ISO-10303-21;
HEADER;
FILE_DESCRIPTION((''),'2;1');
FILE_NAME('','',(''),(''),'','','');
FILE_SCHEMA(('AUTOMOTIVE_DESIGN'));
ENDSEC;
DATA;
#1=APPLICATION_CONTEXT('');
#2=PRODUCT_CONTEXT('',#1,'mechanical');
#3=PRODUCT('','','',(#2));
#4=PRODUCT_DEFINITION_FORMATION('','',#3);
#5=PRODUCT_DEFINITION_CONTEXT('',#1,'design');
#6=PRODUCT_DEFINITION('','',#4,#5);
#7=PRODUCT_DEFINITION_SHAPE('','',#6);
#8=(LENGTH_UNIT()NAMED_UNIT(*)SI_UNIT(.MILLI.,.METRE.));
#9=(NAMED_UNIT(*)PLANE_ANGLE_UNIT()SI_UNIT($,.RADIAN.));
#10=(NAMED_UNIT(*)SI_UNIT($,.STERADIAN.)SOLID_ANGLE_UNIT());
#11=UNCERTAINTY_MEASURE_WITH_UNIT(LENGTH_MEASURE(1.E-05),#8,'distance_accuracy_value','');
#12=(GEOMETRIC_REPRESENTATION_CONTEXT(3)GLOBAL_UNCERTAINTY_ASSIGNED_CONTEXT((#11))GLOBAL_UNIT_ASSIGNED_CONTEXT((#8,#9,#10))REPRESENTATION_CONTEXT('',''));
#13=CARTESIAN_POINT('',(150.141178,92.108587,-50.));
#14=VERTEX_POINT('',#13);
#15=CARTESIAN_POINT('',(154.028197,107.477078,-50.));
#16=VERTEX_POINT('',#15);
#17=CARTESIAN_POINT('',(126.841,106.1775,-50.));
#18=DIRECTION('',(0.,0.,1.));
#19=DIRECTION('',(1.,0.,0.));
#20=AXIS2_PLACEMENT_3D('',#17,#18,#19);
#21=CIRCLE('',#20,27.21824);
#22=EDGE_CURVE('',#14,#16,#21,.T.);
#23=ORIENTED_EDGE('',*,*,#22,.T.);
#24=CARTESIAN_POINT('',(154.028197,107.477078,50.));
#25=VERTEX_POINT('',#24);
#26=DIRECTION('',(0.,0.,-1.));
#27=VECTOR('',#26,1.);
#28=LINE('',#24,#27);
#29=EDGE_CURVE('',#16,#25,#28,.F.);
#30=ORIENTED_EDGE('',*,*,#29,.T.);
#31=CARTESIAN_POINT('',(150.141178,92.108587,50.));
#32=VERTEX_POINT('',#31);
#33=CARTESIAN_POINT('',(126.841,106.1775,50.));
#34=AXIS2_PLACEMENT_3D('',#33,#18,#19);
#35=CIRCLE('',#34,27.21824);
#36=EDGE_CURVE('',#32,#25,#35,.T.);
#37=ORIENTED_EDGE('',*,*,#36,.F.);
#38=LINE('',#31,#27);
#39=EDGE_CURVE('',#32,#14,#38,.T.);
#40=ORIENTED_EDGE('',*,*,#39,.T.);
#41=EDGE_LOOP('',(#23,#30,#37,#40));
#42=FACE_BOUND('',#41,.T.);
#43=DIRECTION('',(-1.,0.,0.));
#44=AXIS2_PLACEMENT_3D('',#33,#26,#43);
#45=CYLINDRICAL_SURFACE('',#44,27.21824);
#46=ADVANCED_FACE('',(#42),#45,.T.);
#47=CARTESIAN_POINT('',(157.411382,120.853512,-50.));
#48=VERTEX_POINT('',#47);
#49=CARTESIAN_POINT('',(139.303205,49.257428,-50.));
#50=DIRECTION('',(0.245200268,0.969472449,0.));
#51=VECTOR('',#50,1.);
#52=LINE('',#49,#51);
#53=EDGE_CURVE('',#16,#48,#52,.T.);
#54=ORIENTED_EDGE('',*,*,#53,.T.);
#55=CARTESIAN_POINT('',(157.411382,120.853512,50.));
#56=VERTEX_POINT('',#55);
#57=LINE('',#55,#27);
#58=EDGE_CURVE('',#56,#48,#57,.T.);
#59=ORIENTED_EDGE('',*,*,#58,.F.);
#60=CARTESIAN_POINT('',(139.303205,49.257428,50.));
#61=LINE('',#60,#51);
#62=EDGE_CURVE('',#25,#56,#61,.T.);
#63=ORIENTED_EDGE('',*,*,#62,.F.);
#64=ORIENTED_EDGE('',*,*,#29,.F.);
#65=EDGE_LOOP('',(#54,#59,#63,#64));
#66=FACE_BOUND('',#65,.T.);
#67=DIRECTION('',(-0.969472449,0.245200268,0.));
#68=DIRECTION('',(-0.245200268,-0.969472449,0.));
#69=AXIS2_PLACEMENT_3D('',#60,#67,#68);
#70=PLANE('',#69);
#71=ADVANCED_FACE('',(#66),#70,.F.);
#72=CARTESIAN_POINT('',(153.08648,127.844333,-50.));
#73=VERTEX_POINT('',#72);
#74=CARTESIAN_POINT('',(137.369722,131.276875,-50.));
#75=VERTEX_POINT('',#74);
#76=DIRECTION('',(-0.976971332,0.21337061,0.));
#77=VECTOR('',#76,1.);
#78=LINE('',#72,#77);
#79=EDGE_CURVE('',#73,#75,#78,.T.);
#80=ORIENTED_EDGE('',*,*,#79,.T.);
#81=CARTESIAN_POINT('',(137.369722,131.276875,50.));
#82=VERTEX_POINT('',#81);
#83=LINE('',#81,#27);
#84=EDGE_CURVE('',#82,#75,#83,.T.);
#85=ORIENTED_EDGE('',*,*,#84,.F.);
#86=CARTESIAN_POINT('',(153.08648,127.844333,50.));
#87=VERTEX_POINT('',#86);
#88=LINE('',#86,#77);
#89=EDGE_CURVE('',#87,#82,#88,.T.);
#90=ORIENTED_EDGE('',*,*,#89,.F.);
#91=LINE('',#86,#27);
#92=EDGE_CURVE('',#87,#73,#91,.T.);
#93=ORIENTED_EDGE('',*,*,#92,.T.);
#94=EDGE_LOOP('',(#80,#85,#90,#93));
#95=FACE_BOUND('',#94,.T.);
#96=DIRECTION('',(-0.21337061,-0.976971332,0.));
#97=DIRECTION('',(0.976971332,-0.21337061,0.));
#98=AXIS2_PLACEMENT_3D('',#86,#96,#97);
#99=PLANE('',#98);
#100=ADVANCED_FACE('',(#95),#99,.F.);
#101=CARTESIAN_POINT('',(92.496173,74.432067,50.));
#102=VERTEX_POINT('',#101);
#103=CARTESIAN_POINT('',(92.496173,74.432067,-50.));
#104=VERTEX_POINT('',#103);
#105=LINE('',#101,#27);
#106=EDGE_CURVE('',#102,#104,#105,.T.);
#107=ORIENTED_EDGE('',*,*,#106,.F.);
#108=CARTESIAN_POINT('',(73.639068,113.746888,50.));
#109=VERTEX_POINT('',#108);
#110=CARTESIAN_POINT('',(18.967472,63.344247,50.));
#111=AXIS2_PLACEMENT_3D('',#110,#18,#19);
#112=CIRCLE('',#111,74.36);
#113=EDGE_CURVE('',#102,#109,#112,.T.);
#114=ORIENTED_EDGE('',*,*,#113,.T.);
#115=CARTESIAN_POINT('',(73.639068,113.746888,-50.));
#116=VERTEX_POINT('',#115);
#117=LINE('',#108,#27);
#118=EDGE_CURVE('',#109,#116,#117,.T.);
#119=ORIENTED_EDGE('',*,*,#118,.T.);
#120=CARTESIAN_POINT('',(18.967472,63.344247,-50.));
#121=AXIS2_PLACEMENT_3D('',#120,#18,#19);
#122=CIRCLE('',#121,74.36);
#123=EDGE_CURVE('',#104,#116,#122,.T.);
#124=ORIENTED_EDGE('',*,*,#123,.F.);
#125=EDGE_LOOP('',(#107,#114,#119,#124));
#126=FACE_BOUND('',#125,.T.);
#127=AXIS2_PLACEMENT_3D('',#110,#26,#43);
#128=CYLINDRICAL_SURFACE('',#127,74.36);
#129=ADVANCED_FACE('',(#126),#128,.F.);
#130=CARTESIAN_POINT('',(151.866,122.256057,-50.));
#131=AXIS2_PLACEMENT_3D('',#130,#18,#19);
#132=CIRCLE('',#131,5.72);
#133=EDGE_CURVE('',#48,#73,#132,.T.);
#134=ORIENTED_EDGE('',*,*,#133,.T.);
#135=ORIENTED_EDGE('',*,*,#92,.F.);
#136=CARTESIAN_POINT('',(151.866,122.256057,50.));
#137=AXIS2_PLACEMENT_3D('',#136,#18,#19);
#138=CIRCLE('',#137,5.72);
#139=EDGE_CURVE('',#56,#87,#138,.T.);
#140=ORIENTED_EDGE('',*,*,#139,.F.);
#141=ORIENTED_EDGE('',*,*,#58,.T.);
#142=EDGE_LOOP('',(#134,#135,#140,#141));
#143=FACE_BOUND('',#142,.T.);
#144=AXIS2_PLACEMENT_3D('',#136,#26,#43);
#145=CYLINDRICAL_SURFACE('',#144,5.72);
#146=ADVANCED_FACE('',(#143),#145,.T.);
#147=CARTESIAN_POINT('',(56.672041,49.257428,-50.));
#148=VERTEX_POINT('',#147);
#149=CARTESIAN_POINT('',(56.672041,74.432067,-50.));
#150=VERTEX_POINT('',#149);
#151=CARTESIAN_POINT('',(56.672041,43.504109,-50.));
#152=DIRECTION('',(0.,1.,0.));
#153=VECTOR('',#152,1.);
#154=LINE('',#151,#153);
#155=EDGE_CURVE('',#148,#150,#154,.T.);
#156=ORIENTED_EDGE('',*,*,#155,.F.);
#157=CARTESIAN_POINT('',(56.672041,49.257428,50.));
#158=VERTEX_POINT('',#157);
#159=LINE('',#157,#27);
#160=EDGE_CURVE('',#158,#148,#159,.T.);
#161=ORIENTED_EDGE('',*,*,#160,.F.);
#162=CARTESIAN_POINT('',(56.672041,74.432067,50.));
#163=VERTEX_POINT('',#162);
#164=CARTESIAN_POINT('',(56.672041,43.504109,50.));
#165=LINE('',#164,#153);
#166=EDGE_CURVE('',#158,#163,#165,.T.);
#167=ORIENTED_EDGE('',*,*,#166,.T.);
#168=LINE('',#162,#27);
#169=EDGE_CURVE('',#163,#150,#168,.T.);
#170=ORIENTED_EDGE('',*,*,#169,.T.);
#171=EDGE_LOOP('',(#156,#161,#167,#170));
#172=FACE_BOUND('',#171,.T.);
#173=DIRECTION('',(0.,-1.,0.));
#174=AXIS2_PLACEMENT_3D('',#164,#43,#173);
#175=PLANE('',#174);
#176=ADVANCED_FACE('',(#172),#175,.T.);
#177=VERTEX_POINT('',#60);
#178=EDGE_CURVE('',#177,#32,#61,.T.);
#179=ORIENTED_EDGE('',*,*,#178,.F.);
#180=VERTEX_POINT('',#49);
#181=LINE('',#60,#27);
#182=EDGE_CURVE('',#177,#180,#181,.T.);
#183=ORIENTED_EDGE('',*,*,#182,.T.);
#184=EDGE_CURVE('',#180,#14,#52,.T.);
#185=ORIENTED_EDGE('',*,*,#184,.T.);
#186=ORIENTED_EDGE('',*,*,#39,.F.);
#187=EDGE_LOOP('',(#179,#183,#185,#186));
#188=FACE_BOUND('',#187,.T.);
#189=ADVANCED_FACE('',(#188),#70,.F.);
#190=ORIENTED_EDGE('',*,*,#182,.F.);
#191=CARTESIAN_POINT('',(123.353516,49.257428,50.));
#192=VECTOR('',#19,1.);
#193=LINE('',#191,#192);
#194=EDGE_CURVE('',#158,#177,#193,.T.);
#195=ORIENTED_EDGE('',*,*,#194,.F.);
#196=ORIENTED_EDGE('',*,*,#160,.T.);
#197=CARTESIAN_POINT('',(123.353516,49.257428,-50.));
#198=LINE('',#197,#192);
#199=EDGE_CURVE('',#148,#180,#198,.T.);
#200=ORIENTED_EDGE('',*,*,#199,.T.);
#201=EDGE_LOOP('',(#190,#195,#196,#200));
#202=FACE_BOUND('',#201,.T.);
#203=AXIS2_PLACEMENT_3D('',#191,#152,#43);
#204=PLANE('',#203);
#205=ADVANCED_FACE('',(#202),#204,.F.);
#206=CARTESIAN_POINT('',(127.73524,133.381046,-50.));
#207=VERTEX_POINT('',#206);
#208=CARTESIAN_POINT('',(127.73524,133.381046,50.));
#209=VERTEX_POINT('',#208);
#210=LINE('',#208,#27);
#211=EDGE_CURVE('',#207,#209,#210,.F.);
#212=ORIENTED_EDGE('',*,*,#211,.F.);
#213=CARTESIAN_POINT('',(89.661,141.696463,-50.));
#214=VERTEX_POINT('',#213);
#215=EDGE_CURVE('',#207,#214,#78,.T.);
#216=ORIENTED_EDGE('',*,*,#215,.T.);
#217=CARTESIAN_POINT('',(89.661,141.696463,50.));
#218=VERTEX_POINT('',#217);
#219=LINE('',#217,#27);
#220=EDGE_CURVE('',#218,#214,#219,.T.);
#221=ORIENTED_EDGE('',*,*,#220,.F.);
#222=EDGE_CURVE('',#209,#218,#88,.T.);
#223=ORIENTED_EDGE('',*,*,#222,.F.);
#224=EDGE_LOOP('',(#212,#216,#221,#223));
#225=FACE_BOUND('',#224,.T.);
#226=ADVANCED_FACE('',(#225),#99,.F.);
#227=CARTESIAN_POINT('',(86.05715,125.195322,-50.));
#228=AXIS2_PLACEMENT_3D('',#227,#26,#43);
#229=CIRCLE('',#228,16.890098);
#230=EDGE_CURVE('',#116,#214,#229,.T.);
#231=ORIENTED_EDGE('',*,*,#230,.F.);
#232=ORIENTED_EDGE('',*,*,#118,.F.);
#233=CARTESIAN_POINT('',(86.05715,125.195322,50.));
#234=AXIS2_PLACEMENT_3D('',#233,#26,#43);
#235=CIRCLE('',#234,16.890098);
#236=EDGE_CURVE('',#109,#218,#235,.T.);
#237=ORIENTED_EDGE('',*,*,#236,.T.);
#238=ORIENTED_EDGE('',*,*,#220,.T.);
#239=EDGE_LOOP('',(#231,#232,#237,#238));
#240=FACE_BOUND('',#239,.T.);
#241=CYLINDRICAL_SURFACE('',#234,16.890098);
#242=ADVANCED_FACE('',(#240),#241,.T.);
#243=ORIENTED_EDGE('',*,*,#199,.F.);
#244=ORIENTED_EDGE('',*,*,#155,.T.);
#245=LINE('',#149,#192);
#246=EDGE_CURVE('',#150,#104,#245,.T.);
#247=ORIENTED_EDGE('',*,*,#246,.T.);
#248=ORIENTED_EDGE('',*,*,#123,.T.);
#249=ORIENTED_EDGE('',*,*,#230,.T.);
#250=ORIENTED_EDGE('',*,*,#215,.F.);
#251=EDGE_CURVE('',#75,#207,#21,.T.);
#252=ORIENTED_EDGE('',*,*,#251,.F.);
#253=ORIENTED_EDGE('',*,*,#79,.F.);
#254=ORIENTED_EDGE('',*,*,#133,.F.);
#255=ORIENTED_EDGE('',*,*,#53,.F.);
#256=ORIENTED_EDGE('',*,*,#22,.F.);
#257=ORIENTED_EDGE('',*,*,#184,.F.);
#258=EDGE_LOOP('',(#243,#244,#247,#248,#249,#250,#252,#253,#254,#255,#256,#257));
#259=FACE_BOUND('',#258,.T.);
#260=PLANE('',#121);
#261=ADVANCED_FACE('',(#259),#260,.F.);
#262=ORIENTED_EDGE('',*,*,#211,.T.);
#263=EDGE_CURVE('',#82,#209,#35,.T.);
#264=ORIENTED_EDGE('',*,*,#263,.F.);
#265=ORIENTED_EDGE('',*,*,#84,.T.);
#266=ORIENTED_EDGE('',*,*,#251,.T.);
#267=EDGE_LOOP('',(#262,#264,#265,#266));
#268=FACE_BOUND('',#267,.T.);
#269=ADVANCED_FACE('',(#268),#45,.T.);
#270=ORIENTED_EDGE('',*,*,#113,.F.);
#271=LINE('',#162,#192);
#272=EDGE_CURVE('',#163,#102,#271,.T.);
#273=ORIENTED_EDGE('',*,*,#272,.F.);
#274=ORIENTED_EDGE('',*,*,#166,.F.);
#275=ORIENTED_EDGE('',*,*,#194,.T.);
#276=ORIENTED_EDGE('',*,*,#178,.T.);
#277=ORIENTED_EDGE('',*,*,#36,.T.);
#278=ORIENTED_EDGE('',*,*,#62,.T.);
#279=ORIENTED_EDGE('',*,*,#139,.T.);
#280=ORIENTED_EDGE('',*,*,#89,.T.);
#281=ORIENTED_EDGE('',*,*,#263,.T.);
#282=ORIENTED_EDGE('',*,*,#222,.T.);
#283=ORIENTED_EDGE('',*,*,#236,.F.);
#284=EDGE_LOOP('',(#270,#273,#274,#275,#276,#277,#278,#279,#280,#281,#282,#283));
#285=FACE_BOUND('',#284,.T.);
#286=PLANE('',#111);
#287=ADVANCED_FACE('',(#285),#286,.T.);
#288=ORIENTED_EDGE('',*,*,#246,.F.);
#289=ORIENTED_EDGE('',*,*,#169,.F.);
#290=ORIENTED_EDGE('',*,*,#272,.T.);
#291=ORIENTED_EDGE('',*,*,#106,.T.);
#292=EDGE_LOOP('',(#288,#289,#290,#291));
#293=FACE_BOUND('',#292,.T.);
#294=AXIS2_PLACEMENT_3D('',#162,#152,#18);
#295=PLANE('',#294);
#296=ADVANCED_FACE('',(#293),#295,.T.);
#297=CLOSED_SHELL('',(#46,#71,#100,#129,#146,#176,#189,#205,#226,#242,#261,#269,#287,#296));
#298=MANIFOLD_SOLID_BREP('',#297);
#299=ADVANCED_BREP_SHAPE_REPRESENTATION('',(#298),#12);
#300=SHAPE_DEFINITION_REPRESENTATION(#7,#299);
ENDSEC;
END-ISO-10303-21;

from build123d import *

# Parameters (mm, degrees)
EXTRUDE_1_DEPTH                = 50
SPLIT_BODIES_1_SURFACE_1_BACK  = 235.567
SPLIT_BODIES_1_SURFACE_1_DEPTH = 471.134
SPLIT_BODIES_1_SURFACE_2_BACK  = 235.567
SPLIT_BODIES_1_SURFACE_2_DEPTH = 471.134


with BuildPart() as part:
    # 草图1 → 凸台-拉伸1 (new, symmetric)
    with BuildSketch(Plane.XY):
        with BuildLine():
            Line((56.67204093, 43.504108875), (36.476006197, 29.147891414))
            Line((36.476006197, 29.147891414), (0, 29.147891414))
            Line((0, 29.147891414), (0, 0))
            Line((0, 0), (144.001, 0))
            Line((144.001, 0), (134.529857437, 27.122156161))
            Line((134.529857437, 27.122156161), (117.072161438, 27.122156161))
            Line((117.072161438, 27.122156161), (123.353516134, 49.257428232))
            Line((123.353516134, 49.257428232), (139.303205185, 49.257428232))
            Line((139.303205185, 49.257428232), (150.141177621, 92.108587215))
            ThreePointArc((150.141177621, 92.108587215), (153.228333696, 99.503580273), (154.028196985, 107.477078481))
            Line((154.028196985, 107.477078481), (157.411382406, 120.853511867))
            ThreePointArc((157.411382406, 120.853511867), (156.730372482, 125.265422842), (153.08647989, 127.844333418))
            Line((153.08647989, 127.844333418), (137.369721749, 131.276874543))
            ThreePointArc((137.369721749, 131.276874543), (132.648572458, 132.768940094), (127.735239934, 133.381046075))
            Line((127.735239934, 133.381046075), (89.661, 141.696462857))
            ThreePointArc((89.661, 141.696462857), (71.40391268, 133.595205289), (73.639067543, 113.746888123))
            ThreePointArc((73.639067543, 113.746888123), (86.014043833, 95.502710926), (92.496172884, 74.432066828))
            Line((92.496172884, 74.432066828), (56.67204093, 74.432066828))
            Line((56.67204093, 74.432066828), (56.67204093, 43.504108875))
        make_face()
    extrude(amount=EXTRUDE_1_DEPTH, both=True)


with BuildPart() as body_2:
    # Split Bodies 1: the piece behind the surface
    add(part.part)
    # Split Bodies 1 surface: a surface, the sketch's curves swept straight by 471.134 mm
    with BuildLine(Plane.XY.offset(50).offset(-SPLIT_BODIES_1_SURFACE_1_BACK), mode=Mode.PRIVATE) as split_bodies_1_surface_1_path:
        Line((123.353516134, 49.257428232), (56.67204093, 49.257428232))
    split_bodies_1_surface_1 = Shell.extrude(split_bodies_1_surface_1_path.wire(), (0 * SPLIT_BODIES_1_SURFACE_1_DEPTH, 0 * SPLIT_BODIES_1_SURFACE_1_DEPTH, 1 * SPLIT_BODIES_1_SURFACE_1_DEPTH))
    split(bisect_by=split_bodies_1_surface_1, keep=Keep.BOTTOM)


with BuildPart() as part_1:
    add(part.part)

    # Split Bodies 1: split by a surface, the side it looks to stays
    # Split Bodies 1 surface: a surface, the sketch's curves swept straight by 471.134 mm
    with BuildLine(Plane.XY.offset(50).offset(-SPLIT_BODIES_1_SURFACE_2_BACK), mode=Mode.PRIVATE) as split_bodies_1_surface_2_path:
        Line((123.353516134, 49.257428232), (56.67204093, 49.257428232))
    split_bodies_1_surface_2 = Shell.extrude(split_bodies_1_surface_2_path.wire(), (0 * SPLIT_BODIES_1_SURFACE_2_DEPTH, 0 * SPLIT_BODIES_1_SURFACE_2_DEPTH, 1 * SPLIT_BODIES_1_SURFACE_2_DEPTH))
    split(bisect_by=split_bodies_1_surface_2, keep=Keep.TOP)


solid = body_2.part
